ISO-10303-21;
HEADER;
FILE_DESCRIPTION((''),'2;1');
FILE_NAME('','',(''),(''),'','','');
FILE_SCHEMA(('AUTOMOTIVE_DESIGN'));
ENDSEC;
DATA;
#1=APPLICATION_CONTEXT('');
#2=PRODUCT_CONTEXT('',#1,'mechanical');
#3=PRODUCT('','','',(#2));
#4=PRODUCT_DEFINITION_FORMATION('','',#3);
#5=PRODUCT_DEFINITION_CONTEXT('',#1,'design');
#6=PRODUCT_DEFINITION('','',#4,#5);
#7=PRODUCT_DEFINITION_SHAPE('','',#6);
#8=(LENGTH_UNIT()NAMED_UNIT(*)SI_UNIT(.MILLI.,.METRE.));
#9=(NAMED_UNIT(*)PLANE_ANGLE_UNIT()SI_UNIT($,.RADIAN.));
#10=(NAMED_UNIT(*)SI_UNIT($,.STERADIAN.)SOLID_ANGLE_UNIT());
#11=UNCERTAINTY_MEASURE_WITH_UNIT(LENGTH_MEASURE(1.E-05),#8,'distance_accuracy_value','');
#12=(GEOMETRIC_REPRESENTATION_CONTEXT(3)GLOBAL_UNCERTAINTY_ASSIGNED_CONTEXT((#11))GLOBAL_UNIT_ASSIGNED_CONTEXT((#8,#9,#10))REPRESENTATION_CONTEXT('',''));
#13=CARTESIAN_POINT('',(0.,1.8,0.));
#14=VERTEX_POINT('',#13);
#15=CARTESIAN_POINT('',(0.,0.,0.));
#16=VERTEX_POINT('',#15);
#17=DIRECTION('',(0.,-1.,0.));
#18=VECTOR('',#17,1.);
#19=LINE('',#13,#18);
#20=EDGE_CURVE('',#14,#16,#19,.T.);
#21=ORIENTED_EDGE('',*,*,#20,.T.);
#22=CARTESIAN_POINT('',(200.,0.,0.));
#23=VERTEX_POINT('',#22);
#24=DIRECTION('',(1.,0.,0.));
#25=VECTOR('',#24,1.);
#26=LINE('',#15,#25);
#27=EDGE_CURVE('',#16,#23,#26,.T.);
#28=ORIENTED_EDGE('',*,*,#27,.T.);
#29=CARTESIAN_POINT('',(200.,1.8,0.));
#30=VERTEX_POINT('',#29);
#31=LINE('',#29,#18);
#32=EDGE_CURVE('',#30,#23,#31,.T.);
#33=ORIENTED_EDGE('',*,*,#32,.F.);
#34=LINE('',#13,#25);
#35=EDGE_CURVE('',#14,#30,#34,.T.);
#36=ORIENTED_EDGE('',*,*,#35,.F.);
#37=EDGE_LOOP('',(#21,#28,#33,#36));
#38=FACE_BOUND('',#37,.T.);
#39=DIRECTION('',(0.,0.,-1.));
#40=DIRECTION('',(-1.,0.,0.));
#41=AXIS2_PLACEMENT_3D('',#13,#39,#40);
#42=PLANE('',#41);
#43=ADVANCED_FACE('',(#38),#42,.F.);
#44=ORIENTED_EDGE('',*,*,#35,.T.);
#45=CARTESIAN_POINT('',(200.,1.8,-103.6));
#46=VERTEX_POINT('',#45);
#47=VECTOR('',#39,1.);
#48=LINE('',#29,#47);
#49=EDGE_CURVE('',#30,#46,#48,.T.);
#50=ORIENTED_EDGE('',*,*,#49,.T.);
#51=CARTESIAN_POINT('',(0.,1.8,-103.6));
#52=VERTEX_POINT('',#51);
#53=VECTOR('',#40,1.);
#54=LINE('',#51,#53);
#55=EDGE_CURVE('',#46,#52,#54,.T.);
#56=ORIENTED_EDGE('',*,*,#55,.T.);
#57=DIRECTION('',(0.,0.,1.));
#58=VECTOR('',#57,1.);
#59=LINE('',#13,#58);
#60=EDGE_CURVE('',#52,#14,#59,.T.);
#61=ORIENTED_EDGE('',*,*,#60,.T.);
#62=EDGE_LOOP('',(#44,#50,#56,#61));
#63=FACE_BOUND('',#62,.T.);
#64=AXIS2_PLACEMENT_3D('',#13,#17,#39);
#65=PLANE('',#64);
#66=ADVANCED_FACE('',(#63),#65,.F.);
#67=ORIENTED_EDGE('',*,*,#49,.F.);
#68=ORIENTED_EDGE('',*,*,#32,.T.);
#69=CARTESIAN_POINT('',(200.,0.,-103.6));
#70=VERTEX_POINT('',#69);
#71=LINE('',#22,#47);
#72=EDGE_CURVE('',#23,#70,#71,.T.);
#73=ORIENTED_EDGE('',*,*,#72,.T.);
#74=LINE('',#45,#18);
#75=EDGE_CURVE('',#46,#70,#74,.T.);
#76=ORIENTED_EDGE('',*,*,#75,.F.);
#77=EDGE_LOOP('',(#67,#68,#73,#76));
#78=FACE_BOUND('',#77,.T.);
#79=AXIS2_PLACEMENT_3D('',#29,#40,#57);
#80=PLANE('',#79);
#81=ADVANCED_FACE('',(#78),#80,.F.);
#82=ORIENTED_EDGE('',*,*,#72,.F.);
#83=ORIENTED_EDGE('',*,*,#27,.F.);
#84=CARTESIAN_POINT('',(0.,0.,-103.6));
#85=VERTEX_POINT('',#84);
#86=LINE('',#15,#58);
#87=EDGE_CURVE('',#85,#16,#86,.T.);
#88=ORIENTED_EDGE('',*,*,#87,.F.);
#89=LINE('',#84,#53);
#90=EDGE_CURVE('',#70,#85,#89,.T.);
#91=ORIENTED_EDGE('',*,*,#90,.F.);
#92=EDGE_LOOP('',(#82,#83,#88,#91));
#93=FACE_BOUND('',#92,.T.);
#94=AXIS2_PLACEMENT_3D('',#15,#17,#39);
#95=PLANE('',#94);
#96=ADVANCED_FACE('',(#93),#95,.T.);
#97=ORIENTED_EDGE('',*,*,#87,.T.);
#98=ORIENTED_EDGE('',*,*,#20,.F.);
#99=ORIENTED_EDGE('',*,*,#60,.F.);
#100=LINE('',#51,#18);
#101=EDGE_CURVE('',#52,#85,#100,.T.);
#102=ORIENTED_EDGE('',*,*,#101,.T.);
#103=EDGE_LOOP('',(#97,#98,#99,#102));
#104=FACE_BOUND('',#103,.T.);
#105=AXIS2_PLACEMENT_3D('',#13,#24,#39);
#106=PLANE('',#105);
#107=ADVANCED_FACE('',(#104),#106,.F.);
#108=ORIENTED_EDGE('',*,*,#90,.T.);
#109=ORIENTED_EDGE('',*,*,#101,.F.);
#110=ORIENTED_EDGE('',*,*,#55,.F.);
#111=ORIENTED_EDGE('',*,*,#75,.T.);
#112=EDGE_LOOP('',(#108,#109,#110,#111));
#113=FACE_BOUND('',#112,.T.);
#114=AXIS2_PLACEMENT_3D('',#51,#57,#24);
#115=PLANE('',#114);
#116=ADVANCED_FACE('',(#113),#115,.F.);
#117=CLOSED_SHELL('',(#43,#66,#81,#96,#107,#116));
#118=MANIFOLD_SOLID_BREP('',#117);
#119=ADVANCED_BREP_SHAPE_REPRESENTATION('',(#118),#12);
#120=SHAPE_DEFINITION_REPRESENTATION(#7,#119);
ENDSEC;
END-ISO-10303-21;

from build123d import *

# Parameters (mm, degrees)
SKETCH_1_W      = 200
SKETCH_1_H      = 103.6
EXTRUDE_1_DEPTH = 1.8


with BuildPart() as part:
    # 草图1 → 凸台-拉伸1 (new body)
    with BuildSketch(Plane(origin=(0, 0, 0), x_dir=(1, 0, 0), z_dir=(0, 1, 0))):
        with Locations((100, 51.8)):
            Rectangle(SKETCH_1_W, SKETCH_1_H)
    extrude(amount=EXTRUDE_1_DEPTH)


solid = part.part
